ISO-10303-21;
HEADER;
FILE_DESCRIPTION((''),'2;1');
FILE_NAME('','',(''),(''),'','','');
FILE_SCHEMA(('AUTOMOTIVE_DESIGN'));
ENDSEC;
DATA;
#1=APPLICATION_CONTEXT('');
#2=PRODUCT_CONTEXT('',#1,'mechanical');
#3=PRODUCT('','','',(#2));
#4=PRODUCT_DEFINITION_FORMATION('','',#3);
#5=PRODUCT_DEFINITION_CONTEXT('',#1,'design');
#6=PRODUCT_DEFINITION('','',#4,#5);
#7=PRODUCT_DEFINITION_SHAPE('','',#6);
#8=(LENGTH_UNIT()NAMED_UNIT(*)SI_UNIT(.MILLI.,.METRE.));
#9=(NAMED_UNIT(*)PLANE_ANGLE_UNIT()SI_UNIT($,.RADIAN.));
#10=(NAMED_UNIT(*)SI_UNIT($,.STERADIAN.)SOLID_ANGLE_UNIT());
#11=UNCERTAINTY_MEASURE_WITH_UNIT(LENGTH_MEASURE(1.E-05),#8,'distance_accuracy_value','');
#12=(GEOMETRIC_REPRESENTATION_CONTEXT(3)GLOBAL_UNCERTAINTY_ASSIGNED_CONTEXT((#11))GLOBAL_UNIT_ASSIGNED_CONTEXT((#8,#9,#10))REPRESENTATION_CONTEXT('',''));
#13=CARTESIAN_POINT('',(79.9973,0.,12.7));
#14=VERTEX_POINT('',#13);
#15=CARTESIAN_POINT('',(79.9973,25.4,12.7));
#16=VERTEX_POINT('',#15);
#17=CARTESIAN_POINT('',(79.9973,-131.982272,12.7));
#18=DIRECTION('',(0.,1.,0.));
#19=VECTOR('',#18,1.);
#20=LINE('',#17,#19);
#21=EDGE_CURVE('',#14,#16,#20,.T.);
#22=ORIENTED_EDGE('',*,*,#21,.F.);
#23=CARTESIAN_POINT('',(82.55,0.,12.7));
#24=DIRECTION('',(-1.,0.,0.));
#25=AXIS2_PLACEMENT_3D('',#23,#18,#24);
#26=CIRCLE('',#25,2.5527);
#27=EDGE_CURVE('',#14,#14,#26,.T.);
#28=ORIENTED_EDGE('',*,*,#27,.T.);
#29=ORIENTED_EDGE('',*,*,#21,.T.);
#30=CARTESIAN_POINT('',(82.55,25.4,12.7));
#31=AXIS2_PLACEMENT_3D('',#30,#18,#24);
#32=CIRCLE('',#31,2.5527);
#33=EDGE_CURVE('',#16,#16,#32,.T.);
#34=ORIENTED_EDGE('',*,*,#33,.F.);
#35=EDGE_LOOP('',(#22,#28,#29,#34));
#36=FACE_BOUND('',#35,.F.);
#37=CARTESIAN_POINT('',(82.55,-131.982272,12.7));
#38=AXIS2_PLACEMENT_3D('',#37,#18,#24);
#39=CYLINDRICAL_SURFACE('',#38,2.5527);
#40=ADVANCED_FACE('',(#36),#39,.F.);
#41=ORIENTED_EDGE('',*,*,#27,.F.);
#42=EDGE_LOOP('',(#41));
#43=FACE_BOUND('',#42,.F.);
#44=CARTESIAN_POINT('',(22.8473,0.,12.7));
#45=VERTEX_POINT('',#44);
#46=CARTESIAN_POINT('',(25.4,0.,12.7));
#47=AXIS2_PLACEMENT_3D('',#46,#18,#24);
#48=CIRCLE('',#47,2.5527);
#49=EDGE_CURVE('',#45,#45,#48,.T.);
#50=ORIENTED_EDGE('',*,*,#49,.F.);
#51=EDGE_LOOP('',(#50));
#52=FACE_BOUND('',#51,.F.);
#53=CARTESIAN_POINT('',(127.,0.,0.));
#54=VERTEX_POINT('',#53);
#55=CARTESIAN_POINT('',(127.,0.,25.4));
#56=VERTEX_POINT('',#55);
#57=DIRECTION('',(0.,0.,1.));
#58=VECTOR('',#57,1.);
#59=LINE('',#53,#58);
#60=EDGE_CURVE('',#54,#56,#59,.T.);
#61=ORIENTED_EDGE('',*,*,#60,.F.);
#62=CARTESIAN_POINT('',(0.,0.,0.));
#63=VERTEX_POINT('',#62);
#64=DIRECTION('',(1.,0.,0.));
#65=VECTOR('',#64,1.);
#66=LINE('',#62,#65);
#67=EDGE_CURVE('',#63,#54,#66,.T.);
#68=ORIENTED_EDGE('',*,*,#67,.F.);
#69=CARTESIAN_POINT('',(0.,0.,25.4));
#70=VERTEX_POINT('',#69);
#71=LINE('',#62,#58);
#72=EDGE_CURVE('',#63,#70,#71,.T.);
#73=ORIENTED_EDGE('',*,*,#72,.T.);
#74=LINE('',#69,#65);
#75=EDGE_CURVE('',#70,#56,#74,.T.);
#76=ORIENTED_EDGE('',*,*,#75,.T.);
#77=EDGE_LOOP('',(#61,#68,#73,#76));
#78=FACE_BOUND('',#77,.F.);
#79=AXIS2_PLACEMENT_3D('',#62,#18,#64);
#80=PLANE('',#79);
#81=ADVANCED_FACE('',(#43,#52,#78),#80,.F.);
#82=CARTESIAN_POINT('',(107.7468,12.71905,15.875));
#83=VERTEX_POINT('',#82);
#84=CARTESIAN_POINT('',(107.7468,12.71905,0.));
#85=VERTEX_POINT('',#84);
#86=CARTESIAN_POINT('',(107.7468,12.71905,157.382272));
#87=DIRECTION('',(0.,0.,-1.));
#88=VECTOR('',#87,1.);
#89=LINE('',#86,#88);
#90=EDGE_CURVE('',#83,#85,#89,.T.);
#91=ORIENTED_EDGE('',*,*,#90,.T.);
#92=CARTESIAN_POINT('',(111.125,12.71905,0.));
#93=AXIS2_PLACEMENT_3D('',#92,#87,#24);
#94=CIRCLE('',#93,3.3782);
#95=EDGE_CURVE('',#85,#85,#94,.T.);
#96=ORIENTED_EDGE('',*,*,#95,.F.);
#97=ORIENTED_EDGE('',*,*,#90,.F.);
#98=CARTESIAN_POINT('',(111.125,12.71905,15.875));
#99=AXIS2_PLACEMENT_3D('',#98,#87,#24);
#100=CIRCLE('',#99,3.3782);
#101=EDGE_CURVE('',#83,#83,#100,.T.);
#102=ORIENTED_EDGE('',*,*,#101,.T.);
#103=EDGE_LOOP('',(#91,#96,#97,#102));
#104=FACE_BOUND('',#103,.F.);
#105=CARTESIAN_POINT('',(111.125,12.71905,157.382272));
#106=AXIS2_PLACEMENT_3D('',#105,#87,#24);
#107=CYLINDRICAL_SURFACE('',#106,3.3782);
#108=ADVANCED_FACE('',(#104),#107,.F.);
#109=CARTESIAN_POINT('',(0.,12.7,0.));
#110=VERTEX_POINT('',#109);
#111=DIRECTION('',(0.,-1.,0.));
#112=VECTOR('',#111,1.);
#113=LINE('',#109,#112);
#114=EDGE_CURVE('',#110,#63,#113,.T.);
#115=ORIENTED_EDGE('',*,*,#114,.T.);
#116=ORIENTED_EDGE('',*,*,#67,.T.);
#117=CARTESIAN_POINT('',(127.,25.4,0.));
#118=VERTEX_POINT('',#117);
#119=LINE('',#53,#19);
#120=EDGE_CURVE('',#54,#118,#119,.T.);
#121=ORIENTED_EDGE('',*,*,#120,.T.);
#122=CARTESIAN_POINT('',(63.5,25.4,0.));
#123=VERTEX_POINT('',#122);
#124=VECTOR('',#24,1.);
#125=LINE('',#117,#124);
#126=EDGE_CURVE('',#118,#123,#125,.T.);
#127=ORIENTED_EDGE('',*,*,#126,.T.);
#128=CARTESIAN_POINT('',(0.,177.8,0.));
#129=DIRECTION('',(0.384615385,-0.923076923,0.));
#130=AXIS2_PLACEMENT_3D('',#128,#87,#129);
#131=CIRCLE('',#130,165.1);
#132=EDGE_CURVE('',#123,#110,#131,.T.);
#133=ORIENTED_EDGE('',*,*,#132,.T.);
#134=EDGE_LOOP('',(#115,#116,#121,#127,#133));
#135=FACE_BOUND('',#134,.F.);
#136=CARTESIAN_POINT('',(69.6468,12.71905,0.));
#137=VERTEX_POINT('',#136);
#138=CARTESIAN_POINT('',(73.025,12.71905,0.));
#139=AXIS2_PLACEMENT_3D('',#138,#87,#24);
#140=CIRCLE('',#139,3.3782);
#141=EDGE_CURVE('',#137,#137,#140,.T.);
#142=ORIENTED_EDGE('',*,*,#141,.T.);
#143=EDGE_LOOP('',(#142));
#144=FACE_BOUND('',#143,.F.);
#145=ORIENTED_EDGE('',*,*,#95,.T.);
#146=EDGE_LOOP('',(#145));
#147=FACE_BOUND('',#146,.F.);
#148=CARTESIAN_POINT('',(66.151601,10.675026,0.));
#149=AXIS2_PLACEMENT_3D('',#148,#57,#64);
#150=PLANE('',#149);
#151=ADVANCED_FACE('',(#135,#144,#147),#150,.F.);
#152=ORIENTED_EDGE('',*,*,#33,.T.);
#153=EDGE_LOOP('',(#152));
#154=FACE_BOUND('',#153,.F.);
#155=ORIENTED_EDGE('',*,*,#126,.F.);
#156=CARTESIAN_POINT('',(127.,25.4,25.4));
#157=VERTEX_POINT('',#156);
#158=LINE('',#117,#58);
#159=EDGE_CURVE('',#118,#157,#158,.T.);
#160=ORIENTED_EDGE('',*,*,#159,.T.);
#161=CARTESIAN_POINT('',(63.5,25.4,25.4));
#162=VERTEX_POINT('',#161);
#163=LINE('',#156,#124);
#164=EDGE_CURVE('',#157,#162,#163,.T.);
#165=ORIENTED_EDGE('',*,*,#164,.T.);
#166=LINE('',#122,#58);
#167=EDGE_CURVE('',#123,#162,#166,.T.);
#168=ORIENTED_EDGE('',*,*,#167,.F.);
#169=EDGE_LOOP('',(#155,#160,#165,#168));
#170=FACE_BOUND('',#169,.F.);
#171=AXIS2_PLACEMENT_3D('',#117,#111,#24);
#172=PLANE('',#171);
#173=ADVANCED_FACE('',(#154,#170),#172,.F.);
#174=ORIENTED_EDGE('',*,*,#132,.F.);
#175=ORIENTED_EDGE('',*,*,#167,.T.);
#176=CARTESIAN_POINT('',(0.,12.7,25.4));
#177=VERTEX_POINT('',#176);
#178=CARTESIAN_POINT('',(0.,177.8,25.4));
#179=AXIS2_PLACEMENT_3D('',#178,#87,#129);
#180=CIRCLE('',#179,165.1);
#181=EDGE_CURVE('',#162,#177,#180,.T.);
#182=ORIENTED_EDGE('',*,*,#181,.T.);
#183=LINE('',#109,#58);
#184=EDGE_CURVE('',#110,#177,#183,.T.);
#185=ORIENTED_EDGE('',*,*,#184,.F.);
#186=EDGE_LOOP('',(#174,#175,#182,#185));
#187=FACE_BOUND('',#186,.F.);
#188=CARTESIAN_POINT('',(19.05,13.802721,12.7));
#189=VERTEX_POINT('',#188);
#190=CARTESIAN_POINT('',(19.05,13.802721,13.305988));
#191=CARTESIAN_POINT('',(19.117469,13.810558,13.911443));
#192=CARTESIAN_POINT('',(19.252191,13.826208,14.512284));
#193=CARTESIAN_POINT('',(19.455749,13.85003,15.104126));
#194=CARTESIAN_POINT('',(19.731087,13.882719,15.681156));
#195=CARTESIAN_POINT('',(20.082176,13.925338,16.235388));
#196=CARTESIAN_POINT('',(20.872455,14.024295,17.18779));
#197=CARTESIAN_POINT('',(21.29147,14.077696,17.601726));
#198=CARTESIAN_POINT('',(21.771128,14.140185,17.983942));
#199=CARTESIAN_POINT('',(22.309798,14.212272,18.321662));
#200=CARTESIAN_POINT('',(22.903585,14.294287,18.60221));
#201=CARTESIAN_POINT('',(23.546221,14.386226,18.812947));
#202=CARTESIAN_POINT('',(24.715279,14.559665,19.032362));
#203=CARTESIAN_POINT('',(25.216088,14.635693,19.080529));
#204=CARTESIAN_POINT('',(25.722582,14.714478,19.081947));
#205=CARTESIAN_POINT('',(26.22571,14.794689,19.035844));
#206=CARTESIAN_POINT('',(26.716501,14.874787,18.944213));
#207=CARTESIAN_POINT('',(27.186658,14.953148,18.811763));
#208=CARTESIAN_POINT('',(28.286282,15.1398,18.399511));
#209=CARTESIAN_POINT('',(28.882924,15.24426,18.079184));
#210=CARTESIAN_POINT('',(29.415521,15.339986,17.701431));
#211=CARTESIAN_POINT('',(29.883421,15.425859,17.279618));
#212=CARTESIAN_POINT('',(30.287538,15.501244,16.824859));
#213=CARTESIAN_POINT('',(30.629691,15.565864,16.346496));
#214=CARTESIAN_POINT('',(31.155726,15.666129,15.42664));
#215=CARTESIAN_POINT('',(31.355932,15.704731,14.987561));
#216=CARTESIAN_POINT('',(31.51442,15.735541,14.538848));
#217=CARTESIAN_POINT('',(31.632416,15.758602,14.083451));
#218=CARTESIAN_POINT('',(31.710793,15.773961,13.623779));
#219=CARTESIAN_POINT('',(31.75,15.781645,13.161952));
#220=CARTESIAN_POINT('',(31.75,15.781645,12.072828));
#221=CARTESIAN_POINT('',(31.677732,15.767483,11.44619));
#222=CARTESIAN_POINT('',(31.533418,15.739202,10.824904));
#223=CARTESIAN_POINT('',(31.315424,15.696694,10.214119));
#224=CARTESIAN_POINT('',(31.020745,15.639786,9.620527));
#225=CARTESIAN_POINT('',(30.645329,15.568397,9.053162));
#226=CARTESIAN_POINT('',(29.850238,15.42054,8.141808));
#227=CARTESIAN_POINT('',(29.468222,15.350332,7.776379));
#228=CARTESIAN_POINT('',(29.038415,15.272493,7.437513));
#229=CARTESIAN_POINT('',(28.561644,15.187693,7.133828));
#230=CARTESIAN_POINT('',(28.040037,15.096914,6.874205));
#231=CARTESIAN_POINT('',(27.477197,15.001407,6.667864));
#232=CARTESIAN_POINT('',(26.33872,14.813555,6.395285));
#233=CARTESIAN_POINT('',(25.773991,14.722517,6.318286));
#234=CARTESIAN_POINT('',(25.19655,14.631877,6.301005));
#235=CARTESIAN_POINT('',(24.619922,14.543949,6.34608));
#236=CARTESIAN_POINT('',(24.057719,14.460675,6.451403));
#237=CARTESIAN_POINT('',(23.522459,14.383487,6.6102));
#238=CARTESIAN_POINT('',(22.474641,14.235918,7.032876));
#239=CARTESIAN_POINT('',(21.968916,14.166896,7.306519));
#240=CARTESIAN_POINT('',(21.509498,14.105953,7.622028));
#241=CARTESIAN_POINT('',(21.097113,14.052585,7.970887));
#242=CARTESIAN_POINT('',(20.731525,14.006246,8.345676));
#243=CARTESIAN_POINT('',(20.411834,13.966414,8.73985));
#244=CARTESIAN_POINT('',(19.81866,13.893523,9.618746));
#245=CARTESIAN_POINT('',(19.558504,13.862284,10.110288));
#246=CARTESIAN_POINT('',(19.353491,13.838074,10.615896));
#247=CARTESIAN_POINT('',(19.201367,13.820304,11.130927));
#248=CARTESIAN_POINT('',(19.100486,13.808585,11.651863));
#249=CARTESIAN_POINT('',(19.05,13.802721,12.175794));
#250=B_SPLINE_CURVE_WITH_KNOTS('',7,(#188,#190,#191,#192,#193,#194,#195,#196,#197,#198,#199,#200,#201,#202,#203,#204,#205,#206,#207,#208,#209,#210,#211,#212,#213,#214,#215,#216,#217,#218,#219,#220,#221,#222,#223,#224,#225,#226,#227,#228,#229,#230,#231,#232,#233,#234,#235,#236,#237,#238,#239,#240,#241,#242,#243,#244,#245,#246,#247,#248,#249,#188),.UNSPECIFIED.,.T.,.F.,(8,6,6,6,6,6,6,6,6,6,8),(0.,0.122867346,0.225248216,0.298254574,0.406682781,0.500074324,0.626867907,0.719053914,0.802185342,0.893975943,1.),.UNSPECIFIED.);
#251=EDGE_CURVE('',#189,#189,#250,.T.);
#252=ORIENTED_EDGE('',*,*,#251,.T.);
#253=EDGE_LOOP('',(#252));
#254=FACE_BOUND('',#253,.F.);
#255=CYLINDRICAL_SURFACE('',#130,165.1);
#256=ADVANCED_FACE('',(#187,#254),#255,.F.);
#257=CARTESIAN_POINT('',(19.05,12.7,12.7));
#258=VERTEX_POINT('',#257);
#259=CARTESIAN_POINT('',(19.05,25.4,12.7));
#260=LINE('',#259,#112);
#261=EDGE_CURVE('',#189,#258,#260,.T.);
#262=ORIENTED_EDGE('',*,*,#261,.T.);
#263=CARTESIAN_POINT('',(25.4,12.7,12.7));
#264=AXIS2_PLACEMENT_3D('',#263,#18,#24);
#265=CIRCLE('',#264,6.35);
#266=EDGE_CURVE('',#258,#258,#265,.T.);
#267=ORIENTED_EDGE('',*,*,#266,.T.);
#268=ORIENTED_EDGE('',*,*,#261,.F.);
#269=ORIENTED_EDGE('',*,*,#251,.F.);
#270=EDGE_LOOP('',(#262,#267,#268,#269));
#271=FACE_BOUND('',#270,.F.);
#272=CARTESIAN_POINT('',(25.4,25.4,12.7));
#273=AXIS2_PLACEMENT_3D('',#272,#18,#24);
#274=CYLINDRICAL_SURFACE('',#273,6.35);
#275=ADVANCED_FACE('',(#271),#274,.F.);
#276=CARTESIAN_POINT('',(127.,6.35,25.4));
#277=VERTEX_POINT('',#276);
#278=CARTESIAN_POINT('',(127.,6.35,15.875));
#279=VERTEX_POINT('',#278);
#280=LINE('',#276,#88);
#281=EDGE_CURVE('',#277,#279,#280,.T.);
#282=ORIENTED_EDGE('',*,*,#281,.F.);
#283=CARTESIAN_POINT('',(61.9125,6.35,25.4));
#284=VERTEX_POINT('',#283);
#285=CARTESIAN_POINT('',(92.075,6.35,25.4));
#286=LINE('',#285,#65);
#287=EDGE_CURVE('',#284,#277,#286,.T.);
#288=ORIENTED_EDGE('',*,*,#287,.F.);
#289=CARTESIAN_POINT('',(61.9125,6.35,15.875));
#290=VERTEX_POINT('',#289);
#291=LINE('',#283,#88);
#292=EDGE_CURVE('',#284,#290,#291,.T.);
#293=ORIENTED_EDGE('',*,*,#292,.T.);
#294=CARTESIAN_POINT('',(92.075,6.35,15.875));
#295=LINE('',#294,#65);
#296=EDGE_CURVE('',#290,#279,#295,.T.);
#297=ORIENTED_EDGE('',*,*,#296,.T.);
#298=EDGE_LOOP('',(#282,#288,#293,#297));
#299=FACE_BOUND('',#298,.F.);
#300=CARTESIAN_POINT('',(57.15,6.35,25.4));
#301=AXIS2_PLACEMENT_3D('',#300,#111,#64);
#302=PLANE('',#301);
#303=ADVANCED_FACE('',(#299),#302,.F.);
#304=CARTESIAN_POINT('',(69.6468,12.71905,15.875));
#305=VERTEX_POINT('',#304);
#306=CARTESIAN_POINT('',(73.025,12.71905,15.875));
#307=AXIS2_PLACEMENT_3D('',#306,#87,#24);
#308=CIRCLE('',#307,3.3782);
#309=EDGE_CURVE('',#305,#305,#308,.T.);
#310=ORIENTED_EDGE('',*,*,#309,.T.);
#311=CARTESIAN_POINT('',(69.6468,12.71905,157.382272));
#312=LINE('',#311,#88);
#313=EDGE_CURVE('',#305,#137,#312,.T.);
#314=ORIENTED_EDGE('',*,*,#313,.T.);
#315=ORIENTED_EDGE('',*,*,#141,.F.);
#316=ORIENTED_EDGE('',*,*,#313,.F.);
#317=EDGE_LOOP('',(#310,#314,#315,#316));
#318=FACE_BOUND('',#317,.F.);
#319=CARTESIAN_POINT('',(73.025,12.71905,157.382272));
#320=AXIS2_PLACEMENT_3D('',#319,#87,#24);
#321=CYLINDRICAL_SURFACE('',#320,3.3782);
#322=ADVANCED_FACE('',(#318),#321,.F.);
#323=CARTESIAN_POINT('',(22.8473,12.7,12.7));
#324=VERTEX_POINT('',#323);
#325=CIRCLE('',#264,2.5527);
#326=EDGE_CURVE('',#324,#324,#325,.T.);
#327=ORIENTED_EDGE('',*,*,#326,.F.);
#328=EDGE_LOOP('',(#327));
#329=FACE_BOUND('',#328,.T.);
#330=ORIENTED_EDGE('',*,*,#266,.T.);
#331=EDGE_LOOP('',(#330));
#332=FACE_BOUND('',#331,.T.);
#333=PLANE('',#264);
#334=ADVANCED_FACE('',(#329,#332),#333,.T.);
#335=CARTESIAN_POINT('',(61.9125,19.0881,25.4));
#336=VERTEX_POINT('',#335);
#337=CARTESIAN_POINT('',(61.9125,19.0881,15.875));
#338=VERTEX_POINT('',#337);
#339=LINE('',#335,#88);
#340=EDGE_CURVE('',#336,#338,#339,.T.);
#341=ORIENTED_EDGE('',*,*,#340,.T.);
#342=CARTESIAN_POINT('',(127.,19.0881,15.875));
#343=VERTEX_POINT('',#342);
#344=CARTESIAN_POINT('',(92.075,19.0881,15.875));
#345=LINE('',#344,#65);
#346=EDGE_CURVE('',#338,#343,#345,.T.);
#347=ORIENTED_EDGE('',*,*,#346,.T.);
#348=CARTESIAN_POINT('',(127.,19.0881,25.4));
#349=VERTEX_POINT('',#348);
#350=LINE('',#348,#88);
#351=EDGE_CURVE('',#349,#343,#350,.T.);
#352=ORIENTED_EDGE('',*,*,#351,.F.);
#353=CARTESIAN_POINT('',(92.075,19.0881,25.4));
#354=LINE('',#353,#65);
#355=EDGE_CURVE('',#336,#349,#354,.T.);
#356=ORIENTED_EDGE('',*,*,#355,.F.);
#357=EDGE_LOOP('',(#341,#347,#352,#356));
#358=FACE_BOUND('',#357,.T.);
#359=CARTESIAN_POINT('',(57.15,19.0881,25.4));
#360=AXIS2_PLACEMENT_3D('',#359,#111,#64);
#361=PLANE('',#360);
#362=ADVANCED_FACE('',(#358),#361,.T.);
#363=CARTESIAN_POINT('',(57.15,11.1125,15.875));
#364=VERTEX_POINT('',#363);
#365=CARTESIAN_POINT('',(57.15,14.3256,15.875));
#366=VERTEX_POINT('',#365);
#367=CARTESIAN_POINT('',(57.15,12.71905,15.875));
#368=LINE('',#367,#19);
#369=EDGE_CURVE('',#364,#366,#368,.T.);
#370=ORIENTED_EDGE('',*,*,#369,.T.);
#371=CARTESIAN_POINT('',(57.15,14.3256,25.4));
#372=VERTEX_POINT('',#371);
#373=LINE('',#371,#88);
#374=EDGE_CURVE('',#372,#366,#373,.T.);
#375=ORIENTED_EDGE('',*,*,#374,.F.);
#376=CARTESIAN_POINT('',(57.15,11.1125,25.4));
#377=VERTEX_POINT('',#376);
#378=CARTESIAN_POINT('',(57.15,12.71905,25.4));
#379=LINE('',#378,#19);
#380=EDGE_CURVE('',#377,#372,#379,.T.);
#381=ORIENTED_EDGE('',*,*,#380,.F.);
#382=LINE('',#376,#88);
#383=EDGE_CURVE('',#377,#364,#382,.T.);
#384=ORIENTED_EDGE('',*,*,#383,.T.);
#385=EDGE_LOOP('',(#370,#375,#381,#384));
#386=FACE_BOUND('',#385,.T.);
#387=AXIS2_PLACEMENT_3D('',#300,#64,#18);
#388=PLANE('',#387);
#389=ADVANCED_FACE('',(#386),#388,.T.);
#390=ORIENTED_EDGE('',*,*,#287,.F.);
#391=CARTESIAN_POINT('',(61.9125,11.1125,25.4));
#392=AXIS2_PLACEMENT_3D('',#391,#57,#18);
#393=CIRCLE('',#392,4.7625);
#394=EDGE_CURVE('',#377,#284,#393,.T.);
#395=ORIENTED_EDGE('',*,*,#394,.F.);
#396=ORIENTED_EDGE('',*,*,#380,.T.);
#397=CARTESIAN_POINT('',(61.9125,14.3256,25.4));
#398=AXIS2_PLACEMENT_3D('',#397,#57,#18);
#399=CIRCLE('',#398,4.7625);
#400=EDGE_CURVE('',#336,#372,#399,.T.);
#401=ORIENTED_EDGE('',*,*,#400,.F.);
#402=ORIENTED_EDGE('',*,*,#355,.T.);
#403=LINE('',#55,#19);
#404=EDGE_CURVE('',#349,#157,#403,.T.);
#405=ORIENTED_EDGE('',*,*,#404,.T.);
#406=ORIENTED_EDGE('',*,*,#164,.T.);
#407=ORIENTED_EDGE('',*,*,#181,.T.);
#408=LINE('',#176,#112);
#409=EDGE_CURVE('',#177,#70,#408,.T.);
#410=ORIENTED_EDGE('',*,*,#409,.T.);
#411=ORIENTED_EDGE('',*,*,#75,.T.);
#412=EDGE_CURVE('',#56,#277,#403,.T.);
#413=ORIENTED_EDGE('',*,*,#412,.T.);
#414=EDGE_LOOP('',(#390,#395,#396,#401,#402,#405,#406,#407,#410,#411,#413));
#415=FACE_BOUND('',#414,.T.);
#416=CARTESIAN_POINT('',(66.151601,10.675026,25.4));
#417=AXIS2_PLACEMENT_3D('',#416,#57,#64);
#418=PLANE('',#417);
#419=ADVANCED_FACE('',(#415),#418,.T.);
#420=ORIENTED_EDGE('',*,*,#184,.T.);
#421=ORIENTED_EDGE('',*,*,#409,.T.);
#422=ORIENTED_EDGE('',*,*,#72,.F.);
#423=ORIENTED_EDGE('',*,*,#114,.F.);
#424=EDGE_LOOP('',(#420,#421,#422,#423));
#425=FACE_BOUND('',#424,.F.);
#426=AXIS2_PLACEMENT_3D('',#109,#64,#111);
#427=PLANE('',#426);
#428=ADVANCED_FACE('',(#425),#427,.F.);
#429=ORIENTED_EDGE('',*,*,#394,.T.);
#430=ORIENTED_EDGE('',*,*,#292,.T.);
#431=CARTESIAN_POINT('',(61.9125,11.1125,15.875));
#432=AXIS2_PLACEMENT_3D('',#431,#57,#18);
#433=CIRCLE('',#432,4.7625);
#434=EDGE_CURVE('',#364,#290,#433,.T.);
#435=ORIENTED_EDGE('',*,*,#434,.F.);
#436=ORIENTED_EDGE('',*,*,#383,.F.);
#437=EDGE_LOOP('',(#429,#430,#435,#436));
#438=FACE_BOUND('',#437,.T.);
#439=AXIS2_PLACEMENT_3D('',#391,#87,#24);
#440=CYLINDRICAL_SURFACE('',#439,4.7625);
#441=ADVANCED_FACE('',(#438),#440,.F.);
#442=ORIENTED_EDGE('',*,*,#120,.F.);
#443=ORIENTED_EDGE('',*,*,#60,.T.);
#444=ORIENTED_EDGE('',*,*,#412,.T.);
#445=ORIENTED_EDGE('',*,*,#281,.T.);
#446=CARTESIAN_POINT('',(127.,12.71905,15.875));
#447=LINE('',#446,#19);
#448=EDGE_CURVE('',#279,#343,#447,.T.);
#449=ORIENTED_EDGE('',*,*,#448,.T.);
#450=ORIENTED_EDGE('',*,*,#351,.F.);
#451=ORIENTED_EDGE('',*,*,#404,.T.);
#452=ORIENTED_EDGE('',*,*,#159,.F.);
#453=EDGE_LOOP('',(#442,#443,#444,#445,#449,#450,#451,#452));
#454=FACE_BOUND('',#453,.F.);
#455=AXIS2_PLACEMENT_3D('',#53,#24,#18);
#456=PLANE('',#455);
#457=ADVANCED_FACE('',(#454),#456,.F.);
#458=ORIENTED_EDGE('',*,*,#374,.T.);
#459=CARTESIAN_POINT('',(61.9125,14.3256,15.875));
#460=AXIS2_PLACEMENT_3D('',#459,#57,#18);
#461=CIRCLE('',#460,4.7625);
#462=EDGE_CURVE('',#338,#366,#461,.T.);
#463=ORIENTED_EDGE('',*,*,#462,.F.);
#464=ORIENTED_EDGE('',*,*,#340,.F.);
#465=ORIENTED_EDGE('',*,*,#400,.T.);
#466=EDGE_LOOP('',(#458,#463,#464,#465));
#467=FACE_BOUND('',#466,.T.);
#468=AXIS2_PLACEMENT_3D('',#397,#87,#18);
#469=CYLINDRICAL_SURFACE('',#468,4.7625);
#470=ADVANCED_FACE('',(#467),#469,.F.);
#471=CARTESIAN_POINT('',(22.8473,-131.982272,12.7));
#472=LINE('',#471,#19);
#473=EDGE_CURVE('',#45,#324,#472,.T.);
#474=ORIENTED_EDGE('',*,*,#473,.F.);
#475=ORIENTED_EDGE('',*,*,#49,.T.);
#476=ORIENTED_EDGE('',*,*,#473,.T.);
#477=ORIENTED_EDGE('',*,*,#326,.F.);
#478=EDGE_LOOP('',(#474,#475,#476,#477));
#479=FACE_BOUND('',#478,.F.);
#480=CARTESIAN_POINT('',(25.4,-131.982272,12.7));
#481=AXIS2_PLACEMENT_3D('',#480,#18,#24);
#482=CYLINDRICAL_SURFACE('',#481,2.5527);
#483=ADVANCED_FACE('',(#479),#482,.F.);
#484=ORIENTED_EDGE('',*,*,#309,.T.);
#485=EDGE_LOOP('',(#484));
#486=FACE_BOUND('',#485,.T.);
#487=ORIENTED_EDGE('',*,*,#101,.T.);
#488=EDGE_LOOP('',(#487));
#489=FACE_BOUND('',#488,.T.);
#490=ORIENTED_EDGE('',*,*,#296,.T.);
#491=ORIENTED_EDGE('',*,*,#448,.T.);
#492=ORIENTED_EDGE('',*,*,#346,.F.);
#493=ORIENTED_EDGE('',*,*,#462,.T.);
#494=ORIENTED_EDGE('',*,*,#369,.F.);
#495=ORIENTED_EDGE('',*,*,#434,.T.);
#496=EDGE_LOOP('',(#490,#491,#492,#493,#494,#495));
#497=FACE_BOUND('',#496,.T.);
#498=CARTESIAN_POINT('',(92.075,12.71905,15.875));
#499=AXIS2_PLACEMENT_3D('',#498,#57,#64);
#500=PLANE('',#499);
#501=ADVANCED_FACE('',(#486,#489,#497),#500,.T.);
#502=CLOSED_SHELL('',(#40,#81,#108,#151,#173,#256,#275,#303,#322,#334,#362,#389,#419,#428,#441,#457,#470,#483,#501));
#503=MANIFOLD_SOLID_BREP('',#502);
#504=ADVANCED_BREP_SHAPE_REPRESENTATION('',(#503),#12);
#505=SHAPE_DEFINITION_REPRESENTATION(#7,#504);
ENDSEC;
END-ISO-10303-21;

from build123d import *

# Parameters (mm, degrees)
F1_DEPTH = 25.4
F3_D     = 5.1054
F4_R     = 6.35
F5_DEPTH = 12.7
F6_W     = 69.85
F6_H     = 12.7381
F7_DEPTH = 9.525
F9_D     = 6.7564
F10_R    = 4.7625


with BuildPart() as f1:
    # F0 (on Top) → F1 (new body)
    with BuildSketch(Plane.XY):
        with BuildLine():
            Line((0, 12.7), (0, 0))
            Line((0, 0), (127, 0))
            Line((127, 0), (127, 25.4))
            Line((127, 25.4), (63.5, 25.4))
            ThreePointArc((63.5, 25.4), (32.3787739113, 15.9061304434), (0, 12.7))
        make_face()
    extrude(amount=F1_DEPTH)

    # F3 (through all)
    with Locations(Plane.XZ):
        with Locations((25.4, 12.7), (82.55, 12.7)):
            Hole(F3_D / 2)

    # F4 (on face) → F5 (cut)
    with BuildSketch(Plane(origin=(0, 25.4, 0), x_dir=(-1, 0, 0), z_dir=(0, 1, 0))):
        with Locations((-25.4, 12.7)):
            Circle(F4_R)
    extrude(amount=-F5_DEPTH, mode=Mode.SUBTRACT)

    # F6 (on face) → F7 (cut)
    with BuildSketch(Plane.XY.offset(25.4)):
        with Locations((92.075, 12.71905)):
            Rectangle(F6_W, F6_H)
    extrude(amount=-F7_DEPTH, mode=Mode.SUBTRACT)

    # F9 (through all)
    with Locations(Plane.XY.offset(25.4)):
        with Locations((73.025, 12.71905), (111.125, 12.71905)):
            Hole(F9_D / 2)

    # F10
    f10_edges = [f1.edges().sort_by_distance(p)[0] for p in [
        (57.15, 19.0881, 20.6375),
        (57.15, 6.35, 20.6375),
    ]]
    fillet(f10_edges, radius=F10_R)


solid = f1.part
